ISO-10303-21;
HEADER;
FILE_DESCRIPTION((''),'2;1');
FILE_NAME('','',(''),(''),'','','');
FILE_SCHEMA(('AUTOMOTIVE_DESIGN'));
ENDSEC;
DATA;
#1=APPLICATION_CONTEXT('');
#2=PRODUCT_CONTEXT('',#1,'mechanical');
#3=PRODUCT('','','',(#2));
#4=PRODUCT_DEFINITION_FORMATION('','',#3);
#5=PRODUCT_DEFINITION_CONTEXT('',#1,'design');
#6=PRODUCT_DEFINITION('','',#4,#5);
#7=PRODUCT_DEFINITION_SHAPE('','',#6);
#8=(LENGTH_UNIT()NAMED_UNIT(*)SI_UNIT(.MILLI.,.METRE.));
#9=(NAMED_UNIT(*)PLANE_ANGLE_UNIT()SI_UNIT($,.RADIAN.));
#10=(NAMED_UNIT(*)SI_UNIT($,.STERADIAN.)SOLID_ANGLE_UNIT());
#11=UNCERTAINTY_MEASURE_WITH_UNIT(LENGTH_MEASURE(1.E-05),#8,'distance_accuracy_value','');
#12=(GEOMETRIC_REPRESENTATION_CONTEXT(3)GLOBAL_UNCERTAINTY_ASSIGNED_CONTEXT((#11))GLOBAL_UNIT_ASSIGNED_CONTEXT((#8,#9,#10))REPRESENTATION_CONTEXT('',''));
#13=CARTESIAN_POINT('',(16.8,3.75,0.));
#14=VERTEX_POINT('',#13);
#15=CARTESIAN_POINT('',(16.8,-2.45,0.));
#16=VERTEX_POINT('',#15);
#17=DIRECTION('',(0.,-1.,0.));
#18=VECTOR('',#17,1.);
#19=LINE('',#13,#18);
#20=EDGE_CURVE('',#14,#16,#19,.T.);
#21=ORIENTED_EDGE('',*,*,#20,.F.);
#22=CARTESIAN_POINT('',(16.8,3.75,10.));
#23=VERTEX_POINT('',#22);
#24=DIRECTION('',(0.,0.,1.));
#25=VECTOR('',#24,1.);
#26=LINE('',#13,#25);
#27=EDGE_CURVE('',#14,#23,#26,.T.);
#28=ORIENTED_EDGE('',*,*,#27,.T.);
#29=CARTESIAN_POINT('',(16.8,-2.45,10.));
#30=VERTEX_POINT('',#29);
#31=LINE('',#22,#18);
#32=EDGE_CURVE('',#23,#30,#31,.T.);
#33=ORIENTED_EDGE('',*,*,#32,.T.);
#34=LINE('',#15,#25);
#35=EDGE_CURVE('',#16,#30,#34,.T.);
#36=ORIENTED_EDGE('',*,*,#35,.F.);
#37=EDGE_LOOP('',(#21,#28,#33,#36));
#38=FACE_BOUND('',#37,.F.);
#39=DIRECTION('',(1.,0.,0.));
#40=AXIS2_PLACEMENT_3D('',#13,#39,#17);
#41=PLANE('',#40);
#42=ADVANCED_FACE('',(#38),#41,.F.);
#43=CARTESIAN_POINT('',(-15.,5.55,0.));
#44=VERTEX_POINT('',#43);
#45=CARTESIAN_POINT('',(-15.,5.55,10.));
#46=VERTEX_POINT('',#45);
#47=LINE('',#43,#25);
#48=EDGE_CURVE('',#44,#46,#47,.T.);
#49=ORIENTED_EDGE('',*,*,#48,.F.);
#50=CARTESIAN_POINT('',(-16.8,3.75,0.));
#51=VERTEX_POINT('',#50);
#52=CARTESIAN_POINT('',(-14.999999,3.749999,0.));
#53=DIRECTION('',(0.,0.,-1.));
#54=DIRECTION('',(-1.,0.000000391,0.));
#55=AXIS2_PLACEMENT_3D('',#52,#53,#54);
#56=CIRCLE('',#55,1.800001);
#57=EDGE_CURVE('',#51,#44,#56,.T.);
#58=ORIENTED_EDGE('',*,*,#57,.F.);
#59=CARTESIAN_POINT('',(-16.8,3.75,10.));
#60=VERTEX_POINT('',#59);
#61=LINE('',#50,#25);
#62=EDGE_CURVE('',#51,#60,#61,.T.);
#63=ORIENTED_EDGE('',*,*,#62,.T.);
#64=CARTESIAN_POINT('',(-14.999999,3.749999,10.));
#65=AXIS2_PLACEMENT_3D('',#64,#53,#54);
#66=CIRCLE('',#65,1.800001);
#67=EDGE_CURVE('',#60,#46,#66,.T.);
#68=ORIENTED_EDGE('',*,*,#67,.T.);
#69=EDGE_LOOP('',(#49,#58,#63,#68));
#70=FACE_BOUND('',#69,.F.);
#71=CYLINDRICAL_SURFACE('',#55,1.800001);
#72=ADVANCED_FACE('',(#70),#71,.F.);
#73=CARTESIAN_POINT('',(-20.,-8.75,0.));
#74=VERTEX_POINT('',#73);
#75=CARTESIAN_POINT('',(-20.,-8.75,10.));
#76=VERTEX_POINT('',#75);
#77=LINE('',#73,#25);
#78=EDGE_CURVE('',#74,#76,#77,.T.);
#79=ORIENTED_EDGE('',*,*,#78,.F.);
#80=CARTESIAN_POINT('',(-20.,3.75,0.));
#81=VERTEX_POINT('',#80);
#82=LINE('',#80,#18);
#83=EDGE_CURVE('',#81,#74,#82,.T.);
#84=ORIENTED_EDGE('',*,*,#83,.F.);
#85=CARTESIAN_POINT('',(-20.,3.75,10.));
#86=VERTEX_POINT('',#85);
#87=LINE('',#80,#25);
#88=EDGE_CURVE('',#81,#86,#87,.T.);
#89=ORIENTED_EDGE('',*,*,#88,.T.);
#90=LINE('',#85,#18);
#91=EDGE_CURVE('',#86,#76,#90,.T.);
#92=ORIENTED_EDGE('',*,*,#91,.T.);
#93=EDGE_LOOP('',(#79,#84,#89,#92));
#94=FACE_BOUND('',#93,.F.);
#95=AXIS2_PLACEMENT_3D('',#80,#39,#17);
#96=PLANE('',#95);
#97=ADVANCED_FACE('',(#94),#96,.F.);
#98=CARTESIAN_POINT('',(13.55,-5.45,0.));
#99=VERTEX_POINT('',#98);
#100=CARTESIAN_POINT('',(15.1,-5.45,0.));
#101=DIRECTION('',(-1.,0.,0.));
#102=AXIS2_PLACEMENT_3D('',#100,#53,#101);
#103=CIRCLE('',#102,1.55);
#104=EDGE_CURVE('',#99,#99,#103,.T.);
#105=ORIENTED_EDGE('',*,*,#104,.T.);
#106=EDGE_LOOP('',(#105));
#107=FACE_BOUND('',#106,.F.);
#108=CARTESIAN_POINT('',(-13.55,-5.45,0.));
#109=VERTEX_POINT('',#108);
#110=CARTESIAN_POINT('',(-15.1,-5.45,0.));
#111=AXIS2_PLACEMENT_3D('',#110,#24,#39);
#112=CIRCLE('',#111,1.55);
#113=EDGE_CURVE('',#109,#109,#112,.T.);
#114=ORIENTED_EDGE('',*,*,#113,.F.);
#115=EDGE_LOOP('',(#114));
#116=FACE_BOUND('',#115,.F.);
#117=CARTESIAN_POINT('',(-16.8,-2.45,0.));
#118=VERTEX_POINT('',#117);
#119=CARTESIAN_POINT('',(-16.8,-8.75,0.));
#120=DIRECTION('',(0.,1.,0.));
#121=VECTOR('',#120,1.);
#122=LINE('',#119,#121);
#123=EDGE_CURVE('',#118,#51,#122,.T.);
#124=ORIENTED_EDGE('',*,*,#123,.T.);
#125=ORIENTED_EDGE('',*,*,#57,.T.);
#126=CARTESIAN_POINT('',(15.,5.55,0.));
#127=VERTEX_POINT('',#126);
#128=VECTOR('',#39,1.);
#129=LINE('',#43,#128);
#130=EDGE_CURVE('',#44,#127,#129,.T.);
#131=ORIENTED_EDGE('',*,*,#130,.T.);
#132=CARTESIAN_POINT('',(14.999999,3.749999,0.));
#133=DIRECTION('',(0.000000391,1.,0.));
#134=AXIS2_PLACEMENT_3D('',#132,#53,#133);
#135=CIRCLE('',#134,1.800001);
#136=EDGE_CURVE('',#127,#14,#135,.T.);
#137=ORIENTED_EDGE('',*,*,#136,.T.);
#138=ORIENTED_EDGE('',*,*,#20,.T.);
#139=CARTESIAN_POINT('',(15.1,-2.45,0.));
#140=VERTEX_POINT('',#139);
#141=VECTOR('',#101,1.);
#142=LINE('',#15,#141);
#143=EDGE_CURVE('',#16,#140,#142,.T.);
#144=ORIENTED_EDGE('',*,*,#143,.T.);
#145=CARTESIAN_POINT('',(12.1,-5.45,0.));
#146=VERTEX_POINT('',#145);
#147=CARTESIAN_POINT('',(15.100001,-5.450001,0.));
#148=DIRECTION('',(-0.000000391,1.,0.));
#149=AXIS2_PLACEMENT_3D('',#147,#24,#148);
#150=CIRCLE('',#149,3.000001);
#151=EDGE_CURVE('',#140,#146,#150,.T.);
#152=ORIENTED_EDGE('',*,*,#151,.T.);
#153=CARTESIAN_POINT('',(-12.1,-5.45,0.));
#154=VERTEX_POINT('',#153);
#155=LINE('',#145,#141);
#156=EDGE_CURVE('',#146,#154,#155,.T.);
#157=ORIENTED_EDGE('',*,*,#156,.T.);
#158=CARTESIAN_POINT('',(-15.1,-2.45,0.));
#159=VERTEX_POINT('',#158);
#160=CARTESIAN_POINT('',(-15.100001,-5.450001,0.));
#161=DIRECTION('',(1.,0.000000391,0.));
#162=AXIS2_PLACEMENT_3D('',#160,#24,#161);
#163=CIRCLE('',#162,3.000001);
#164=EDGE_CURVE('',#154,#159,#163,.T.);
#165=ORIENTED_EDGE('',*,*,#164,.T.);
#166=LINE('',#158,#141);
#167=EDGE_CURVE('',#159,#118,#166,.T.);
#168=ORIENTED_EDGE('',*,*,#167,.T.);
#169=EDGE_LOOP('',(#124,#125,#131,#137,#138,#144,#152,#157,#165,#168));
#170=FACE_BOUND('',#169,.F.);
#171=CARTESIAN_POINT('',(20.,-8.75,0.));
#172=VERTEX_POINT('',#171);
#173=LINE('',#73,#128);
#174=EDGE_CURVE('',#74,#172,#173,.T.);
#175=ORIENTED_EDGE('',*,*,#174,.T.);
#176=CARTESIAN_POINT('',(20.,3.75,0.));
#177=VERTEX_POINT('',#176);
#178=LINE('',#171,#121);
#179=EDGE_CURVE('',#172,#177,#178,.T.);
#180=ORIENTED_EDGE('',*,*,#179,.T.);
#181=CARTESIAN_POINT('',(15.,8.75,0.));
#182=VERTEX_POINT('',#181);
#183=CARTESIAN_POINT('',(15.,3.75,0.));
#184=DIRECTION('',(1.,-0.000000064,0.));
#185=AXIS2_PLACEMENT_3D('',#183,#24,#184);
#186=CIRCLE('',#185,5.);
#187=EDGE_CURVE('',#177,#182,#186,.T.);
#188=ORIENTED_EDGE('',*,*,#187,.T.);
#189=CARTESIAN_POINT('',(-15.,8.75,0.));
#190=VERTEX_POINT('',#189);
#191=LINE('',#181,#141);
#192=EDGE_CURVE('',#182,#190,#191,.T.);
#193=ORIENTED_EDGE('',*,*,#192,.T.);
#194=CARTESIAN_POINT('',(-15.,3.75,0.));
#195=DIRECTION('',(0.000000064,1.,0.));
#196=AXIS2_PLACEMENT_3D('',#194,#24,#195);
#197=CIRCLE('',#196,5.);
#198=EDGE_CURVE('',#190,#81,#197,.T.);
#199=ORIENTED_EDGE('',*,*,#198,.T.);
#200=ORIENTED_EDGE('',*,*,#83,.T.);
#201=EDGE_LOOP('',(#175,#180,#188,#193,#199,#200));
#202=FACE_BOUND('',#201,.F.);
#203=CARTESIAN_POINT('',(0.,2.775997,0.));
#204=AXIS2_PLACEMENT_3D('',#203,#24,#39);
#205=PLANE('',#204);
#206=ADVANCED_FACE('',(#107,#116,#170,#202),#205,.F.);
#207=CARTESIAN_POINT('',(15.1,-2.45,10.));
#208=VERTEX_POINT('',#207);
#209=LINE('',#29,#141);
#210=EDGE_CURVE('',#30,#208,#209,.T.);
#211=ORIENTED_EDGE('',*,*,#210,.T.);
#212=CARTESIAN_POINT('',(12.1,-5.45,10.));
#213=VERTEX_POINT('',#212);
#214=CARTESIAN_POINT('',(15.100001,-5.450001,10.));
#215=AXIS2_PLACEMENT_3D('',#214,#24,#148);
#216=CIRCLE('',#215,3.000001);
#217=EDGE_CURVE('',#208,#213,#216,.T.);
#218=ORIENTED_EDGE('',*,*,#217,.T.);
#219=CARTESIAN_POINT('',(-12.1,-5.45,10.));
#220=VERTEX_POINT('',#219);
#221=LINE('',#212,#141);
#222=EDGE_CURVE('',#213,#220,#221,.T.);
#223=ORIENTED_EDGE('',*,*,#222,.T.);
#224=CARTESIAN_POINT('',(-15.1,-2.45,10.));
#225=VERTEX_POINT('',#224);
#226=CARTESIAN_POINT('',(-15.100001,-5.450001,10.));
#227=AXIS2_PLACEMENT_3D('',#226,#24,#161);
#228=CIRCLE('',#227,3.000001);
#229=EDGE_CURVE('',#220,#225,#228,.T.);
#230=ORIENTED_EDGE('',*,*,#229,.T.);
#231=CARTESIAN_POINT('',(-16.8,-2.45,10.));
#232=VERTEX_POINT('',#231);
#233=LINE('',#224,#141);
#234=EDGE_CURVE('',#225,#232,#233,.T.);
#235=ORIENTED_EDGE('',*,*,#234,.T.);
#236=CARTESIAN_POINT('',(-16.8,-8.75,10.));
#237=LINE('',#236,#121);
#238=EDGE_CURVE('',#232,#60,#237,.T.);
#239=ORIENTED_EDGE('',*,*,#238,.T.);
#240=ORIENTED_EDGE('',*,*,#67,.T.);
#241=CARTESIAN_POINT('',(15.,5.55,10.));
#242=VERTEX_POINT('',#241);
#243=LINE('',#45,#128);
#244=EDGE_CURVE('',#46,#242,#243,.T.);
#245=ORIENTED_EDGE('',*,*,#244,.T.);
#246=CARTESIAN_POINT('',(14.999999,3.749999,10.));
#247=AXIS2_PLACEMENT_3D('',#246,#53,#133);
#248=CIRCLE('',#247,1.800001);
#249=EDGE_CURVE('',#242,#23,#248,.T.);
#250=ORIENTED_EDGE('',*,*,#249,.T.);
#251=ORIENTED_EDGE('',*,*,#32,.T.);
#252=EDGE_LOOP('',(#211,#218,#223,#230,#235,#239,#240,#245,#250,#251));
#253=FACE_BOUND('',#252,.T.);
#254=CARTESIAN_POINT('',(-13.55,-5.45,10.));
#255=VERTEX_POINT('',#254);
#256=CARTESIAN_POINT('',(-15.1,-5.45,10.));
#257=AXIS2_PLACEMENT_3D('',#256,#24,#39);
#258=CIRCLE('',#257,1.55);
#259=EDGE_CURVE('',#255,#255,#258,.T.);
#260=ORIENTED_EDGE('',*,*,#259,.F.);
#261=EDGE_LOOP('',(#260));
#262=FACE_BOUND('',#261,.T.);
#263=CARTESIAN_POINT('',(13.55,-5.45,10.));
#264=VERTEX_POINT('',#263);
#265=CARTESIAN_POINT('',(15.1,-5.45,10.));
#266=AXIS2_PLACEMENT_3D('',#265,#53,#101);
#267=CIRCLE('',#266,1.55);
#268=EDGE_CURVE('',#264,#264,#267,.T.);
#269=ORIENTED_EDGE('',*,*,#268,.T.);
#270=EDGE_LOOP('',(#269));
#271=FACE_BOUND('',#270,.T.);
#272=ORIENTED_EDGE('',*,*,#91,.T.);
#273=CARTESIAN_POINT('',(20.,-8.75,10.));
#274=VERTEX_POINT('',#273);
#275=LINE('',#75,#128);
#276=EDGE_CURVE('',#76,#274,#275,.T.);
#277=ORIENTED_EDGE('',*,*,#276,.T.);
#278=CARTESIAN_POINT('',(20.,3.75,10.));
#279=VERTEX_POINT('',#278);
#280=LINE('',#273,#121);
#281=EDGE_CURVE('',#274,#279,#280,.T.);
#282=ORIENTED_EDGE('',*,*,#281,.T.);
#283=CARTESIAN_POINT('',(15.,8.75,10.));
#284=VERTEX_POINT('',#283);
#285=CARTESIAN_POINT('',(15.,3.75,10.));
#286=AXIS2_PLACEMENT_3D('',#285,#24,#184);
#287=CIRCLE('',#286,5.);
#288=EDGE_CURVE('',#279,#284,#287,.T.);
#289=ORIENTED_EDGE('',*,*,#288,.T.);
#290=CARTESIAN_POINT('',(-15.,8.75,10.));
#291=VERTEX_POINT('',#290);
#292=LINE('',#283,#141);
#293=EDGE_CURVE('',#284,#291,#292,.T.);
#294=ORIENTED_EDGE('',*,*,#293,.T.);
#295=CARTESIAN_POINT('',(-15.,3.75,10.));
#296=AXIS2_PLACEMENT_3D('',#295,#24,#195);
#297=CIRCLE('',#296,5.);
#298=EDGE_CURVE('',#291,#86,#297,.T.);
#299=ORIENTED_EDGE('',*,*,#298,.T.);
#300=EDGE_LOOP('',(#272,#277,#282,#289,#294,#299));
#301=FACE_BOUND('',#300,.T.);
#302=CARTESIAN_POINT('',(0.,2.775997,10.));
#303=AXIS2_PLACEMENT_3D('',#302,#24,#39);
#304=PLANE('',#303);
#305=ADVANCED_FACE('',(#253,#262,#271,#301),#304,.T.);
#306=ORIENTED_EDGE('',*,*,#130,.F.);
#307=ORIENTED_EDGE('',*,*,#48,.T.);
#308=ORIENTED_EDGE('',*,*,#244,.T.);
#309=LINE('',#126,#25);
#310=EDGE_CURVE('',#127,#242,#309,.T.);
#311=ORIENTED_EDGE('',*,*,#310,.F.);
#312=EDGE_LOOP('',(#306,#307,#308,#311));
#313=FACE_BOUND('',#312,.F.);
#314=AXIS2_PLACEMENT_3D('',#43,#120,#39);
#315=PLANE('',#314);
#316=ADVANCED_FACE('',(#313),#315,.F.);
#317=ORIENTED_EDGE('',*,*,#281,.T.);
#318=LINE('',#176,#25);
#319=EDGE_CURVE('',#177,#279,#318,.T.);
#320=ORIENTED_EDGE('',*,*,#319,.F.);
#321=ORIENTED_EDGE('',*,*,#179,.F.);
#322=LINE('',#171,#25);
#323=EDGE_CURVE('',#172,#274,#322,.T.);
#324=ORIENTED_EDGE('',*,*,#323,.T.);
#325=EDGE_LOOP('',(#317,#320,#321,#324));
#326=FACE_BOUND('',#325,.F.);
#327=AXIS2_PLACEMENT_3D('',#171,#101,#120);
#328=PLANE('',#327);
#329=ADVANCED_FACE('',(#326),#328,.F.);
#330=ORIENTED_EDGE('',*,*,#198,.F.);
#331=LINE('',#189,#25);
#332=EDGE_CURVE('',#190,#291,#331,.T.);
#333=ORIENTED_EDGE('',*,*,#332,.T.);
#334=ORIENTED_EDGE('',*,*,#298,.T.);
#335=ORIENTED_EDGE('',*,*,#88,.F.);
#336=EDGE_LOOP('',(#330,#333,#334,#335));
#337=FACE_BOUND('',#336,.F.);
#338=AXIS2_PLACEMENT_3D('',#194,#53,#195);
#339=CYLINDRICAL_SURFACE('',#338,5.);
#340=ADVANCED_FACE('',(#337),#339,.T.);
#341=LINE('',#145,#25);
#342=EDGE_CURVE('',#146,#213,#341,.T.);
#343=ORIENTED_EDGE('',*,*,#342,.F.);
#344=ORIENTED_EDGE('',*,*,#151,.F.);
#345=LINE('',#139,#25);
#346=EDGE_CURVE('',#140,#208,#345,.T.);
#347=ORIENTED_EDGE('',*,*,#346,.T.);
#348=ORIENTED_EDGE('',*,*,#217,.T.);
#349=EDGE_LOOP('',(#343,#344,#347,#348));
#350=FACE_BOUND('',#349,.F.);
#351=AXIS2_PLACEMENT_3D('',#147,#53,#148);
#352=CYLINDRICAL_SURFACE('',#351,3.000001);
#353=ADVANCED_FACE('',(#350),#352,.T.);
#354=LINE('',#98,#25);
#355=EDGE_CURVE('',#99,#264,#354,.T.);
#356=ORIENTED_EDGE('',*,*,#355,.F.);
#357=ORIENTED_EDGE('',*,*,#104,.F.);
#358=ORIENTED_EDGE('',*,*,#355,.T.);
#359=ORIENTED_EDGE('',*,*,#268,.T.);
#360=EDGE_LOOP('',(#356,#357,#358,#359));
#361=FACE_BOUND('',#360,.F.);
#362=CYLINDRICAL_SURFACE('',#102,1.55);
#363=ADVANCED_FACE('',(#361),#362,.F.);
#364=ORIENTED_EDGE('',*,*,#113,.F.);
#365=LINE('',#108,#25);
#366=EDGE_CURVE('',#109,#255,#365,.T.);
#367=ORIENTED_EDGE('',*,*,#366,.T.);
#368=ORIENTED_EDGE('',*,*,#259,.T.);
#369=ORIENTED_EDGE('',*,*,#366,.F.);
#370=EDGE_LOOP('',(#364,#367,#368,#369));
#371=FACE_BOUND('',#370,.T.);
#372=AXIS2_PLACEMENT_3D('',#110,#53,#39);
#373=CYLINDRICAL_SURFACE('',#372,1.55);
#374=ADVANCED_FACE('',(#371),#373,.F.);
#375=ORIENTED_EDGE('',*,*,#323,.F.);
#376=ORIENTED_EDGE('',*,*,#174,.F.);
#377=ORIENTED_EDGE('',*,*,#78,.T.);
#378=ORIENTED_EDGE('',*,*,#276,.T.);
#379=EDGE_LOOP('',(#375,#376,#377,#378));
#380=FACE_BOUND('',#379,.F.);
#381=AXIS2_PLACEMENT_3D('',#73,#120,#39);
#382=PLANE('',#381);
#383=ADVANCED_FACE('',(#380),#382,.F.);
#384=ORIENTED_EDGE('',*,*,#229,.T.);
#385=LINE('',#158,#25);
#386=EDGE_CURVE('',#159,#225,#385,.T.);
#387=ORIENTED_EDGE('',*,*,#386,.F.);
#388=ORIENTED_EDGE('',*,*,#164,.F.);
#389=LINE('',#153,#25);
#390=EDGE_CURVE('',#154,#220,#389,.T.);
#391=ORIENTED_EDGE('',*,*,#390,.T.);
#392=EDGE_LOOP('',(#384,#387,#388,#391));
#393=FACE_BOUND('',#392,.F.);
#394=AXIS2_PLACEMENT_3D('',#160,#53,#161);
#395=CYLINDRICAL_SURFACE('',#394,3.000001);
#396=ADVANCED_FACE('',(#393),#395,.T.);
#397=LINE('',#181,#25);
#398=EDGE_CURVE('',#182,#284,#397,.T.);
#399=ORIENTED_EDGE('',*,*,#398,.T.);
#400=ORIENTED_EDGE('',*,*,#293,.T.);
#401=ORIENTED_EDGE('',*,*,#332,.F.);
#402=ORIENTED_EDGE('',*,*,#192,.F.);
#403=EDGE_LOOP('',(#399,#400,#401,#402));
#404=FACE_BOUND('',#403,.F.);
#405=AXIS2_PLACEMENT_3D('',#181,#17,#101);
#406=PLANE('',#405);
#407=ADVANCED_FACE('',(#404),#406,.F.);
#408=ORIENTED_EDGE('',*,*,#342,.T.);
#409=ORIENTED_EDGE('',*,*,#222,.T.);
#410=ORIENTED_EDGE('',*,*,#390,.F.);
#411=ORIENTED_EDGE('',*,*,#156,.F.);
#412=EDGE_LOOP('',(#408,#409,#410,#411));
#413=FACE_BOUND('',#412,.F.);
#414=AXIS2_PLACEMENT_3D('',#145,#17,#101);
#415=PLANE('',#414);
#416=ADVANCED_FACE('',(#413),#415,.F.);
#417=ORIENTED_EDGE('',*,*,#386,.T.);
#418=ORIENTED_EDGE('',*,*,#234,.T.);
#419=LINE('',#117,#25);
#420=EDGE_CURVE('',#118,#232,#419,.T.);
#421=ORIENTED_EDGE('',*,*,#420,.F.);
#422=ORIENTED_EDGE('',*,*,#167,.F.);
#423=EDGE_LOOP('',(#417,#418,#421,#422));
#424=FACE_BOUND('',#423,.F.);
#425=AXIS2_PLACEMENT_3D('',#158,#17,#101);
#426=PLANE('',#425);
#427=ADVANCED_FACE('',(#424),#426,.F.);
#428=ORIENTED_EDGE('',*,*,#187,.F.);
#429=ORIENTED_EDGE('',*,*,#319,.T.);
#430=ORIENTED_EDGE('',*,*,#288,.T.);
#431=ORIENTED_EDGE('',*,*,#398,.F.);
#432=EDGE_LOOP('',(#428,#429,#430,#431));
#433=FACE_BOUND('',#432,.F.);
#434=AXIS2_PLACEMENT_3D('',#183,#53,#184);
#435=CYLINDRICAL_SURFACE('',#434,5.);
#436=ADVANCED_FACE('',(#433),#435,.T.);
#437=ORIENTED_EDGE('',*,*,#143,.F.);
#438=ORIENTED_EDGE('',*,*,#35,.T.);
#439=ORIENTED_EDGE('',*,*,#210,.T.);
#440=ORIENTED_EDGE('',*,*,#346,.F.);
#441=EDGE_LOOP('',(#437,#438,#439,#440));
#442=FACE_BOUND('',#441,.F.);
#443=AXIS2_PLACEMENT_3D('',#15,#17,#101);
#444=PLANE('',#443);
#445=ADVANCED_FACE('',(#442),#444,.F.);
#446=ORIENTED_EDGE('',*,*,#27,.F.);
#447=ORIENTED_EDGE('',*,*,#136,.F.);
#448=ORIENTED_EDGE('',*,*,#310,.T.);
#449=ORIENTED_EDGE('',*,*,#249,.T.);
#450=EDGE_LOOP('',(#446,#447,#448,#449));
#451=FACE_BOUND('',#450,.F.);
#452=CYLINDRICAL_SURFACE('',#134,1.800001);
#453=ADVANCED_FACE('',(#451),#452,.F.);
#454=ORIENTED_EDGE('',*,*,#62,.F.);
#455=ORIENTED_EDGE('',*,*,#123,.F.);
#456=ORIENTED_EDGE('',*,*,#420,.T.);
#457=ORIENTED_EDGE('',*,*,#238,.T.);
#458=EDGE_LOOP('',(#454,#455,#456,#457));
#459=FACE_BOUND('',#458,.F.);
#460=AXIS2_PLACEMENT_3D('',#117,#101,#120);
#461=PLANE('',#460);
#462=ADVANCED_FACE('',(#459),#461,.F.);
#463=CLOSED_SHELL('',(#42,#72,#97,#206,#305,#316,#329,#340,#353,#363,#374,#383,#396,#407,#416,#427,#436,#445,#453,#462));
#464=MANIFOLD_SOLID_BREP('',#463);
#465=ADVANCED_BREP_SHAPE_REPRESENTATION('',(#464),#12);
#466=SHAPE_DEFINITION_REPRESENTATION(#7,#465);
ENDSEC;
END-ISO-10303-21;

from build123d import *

# Parameters (mm, degrees)
F0_R     = 1.55
F1_DEPTH = 10


with BuildPart() as f1:
    # F0 (on Top) → F1 (new body)
    with BuildSketch(Plane.XY):
        with BuildLine():
            Line((16.8, -8.75), (20, -8.75))
            Line((20, -8.75), (20, 3.75))
            ThreePointArc((20, 3.75), (18.535534, 7.285534), (15, 8.75))
            Line((15, 8.75), (-15, 8.75))
            ThreePointArc((-15, 8.75), (-18.535534, 7.285534), (-20, 3.75))
            Line((-20, 3.75), (-20, -8.75))
            Line((-20, -8.75), (-16.8, -8.75))
            Line((-16.8, -8.75), (-16.8, -2.978159))
            Line((-16.8, -2.978159), (-16.8, -2.45))
            Line((-16.8, -2.45), (-16.8, 3.75))
            ThreePointArc((-16.8, 3.75), (-16.272792, 5.022792), (-15, 5.55))
            Line((-15, 5.55), (15, 5.55))
            ThreePointArc((15, 5.55), (16.272792, 5.022792), (16.8, 3.75))
            Line((16.8, 3.75), (16.8, -2.45))
            Line((16.8, -2.45), (16.8, -2.978159))
            Line((16.8, -2.978159), (16.8, -8.75))
        make_face()
        with BuildLine():
            Line((-16.8, -8.75), (16.8, -8.75))
            Line((16.8, -8.75), (16.8, -2.978159))
            ThreePointArc((16.8, -2.978159), (15.990077, -2.585081), (15.1, -2.45))
            ThreePointArc((15.1, -2.45), (12.97868, -3.32868), (12.1, -5.45))
            Line((12.1, -5.45), (-12.1, -5.45))
            ThreePointArc((-12.1, -5.45), (-12.97868, -3.32868), (-15.1, -2.45))
            ThreePointArc((-15.1, -2.45), (-15.990077, -2.585081), (-16.8, -2.978159))
            Line((-16.8, -2.978159), (-16.8, -8.75))
        make_face()
        with Locations((-15.1, -5.45)):
            Circle(F0_R, mode=Mode.SUBTRACT)
        with BuildLine():
            ThreePointArc((16.65, -5.45), (15.1, -7), (13.55, -5.45))
            ThreePointArc((13.55, -5.45), (15.1, -3.9), (16.65, -5.45))
        make_face(mode=Mode.SUBTRACT)
        with BuildLine():
            Line((-16.8, -2.45), (-16.8, -2.978159))
            ThreePointArc((-16.8, -2.978159), (-15.990077, -2.585081), (-15.1, -2.45))
            Line((-15.1, -2.45), (-16.8, -2.45))
        make_face()
        with BuildLine():
            ThreePointArc((15.1, -2.45), (15.990077, -2.585081), (16.8, -2.978159))
            Line((16.8, -2.978159), (16.8, -2.45))
            Line((16.8, -2.45), (15.1, -2.45))
        make_face()
    extrude(amount=F1_DEPTH)


solid = f1.part
